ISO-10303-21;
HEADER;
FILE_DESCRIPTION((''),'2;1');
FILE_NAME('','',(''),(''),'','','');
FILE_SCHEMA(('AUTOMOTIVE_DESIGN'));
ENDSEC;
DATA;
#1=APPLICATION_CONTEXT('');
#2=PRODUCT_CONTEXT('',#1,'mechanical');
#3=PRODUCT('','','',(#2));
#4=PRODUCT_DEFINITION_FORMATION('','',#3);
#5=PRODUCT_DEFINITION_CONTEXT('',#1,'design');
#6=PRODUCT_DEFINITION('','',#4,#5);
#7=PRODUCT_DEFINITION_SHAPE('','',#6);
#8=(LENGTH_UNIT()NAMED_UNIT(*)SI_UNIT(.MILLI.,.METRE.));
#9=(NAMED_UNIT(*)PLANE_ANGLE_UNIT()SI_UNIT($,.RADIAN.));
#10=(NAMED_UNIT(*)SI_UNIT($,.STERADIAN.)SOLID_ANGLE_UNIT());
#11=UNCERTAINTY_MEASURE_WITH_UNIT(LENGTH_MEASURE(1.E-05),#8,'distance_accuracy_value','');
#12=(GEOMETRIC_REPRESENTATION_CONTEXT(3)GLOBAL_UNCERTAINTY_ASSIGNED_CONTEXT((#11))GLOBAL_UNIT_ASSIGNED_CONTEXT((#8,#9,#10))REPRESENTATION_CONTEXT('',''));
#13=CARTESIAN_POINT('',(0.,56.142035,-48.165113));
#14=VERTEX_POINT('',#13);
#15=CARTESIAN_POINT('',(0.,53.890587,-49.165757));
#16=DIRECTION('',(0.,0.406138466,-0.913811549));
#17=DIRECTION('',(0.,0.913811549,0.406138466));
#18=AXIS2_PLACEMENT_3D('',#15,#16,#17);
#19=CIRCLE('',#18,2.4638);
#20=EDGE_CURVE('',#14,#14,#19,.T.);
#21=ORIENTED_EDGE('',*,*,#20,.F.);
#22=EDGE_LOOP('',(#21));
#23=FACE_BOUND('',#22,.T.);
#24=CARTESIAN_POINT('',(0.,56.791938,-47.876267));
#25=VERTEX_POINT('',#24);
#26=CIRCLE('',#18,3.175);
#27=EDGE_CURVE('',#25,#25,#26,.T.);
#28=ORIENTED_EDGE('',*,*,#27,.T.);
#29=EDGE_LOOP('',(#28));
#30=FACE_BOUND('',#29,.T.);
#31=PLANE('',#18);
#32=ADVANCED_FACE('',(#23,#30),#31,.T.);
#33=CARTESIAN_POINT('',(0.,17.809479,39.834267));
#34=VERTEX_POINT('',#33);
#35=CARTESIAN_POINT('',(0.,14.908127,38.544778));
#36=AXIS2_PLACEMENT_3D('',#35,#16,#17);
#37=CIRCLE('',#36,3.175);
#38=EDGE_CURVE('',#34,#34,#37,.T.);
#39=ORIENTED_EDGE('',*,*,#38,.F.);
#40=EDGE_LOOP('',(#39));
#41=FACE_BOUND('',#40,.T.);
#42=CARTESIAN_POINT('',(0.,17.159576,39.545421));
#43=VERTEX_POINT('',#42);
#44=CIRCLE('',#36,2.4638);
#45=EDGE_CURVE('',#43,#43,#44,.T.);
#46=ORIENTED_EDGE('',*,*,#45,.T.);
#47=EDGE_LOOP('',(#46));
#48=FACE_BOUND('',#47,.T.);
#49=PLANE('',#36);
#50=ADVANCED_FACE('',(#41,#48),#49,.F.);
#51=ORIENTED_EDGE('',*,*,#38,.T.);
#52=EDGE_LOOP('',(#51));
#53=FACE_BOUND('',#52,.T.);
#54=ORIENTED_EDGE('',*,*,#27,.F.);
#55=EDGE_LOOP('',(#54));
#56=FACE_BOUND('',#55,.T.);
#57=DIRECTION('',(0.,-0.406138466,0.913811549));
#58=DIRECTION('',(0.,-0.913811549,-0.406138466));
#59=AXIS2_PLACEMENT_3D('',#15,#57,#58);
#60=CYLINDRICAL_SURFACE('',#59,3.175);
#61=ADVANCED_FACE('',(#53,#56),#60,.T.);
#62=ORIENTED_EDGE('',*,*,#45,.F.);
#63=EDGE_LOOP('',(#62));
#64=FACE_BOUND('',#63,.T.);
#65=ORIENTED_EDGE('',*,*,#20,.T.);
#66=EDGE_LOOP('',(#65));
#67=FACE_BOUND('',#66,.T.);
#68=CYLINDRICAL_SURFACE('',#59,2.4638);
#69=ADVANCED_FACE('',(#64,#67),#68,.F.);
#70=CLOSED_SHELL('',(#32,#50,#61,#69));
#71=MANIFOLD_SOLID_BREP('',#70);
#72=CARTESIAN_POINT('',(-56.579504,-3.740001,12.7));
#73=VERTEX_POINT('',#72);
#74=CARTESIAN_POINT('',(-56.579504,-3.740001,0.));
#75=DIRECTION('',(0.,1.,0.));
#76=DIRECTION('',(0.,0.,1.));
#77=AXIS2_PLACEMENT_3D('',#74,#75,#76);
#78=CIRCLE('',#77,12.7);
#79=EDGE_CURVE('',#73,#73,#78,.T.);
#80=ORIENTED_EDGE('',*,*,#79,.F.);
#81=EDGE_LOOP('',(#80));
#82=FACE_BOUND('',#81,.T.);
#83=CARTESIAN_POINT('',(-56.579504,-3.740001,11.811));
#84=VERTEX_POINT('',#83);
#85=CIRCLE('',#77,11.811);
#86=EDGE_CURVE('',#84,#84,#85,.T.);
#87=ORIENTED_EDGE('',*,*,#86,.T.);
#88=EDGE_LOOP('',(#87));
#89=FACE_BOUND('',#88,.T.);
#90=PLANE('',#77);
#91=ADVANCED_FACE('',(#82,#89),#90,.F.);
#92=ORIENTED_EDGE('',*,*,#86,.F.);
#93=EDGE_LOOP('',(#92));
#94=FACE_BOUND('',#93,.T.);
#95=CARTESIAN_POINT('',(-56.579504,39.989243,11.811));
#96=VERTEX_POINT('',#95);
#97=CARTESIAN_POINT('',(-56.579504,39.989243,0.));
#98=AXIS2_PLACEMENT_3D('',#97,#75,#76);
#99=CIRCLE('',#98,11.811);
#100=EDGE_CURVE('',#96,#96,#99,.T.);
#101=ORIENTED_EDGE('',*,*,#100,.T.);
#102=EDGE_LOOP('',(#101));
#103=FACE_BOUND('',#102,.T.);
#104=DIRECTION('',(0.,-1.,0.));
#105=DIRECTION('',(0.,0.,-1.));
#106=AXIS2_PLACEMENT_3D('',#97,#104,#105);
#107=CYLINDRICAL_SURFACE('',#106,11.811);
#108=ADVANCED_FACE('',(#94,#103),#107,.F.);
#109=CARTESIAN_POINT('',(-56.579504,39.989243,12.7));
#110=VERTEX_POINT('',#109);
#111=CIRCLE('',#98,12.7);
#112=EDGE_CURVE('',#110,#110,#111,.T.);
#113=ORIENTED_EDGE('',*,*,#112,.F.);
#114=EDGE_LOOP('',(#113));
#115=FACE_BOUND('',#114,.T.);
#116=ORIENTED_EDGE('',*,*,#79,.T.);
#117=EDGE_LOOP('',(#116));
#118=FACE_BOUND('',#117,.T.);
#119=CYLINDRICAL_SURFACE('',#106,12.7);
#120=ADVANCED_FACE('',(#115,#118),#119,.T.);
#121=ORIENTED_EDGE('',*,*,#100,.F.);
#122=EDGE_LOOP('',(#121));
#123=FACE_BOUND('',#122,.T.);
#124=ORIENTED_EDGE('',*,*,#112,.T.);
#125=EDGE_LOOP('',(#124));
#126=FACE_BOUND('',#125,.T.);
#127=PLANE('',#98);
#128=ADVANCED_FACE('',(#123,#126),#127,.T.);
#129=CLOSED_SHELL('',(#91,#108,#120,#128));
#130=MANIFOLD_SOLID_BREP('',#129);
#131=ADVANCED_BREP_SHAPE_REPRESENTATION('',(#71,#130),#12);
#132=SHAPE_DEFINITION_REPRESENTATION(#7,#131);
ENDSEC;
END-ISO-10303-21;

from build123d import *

# Parameters (mm, degrees)
SKETCH16_R                                   = 12.7
SKETCH16_R_2                                 = 11.811
WELD_TUBING_1_00_X_0_035_AS_MACHINED_1_DEPTH = 43.729243763
SKETCH114_R                                  = 3.175
SKETCH114_R_2                                = 2.4638
WELD_TUBING_0_250_X_0_028_1_DEPTH            = 95.983175293


with BuildPart() as part:
    # Sketch16 → Weld tubing 1.00 X 0.035<AS MACHINED>(1) (new body)
    with BuildSketch(Plane(origin=(-56.579503991, -3.740001111, 0), x_dir=(-1, 0, 0), z_dir=(0, 1, 0))):
        Circle(SKETCH16_R)
        Circle(SKETCH16_R_2, mode=Mode.SUBTRACT)
    extrude(amount=WELD_TUBING_1_00_X_0_035_AS_MACHINED_1_DEPTH)


with BuildPart() as body_2:
    # Sketch114 → Weld tubing 0.250 X 0.028(1) (new body)
    with BuildSketch(Plane(origin=(0, 14.908126973, 38.544777524), x_dir=(0, 0.9138115486202572, 0.4061384660534476), z_dir=(0, 0.4061384660534476, -0.9138115486202572))):
        Circle(SKETCH114_R)
        Circle(SKETCH114_R_2, mode=Mode.SUBTRACT)
    extrude(amount=WELD_TUBING_0_250_X_0_028_1_DEPTH)


solid = Compound([part.part, body_2.part])
